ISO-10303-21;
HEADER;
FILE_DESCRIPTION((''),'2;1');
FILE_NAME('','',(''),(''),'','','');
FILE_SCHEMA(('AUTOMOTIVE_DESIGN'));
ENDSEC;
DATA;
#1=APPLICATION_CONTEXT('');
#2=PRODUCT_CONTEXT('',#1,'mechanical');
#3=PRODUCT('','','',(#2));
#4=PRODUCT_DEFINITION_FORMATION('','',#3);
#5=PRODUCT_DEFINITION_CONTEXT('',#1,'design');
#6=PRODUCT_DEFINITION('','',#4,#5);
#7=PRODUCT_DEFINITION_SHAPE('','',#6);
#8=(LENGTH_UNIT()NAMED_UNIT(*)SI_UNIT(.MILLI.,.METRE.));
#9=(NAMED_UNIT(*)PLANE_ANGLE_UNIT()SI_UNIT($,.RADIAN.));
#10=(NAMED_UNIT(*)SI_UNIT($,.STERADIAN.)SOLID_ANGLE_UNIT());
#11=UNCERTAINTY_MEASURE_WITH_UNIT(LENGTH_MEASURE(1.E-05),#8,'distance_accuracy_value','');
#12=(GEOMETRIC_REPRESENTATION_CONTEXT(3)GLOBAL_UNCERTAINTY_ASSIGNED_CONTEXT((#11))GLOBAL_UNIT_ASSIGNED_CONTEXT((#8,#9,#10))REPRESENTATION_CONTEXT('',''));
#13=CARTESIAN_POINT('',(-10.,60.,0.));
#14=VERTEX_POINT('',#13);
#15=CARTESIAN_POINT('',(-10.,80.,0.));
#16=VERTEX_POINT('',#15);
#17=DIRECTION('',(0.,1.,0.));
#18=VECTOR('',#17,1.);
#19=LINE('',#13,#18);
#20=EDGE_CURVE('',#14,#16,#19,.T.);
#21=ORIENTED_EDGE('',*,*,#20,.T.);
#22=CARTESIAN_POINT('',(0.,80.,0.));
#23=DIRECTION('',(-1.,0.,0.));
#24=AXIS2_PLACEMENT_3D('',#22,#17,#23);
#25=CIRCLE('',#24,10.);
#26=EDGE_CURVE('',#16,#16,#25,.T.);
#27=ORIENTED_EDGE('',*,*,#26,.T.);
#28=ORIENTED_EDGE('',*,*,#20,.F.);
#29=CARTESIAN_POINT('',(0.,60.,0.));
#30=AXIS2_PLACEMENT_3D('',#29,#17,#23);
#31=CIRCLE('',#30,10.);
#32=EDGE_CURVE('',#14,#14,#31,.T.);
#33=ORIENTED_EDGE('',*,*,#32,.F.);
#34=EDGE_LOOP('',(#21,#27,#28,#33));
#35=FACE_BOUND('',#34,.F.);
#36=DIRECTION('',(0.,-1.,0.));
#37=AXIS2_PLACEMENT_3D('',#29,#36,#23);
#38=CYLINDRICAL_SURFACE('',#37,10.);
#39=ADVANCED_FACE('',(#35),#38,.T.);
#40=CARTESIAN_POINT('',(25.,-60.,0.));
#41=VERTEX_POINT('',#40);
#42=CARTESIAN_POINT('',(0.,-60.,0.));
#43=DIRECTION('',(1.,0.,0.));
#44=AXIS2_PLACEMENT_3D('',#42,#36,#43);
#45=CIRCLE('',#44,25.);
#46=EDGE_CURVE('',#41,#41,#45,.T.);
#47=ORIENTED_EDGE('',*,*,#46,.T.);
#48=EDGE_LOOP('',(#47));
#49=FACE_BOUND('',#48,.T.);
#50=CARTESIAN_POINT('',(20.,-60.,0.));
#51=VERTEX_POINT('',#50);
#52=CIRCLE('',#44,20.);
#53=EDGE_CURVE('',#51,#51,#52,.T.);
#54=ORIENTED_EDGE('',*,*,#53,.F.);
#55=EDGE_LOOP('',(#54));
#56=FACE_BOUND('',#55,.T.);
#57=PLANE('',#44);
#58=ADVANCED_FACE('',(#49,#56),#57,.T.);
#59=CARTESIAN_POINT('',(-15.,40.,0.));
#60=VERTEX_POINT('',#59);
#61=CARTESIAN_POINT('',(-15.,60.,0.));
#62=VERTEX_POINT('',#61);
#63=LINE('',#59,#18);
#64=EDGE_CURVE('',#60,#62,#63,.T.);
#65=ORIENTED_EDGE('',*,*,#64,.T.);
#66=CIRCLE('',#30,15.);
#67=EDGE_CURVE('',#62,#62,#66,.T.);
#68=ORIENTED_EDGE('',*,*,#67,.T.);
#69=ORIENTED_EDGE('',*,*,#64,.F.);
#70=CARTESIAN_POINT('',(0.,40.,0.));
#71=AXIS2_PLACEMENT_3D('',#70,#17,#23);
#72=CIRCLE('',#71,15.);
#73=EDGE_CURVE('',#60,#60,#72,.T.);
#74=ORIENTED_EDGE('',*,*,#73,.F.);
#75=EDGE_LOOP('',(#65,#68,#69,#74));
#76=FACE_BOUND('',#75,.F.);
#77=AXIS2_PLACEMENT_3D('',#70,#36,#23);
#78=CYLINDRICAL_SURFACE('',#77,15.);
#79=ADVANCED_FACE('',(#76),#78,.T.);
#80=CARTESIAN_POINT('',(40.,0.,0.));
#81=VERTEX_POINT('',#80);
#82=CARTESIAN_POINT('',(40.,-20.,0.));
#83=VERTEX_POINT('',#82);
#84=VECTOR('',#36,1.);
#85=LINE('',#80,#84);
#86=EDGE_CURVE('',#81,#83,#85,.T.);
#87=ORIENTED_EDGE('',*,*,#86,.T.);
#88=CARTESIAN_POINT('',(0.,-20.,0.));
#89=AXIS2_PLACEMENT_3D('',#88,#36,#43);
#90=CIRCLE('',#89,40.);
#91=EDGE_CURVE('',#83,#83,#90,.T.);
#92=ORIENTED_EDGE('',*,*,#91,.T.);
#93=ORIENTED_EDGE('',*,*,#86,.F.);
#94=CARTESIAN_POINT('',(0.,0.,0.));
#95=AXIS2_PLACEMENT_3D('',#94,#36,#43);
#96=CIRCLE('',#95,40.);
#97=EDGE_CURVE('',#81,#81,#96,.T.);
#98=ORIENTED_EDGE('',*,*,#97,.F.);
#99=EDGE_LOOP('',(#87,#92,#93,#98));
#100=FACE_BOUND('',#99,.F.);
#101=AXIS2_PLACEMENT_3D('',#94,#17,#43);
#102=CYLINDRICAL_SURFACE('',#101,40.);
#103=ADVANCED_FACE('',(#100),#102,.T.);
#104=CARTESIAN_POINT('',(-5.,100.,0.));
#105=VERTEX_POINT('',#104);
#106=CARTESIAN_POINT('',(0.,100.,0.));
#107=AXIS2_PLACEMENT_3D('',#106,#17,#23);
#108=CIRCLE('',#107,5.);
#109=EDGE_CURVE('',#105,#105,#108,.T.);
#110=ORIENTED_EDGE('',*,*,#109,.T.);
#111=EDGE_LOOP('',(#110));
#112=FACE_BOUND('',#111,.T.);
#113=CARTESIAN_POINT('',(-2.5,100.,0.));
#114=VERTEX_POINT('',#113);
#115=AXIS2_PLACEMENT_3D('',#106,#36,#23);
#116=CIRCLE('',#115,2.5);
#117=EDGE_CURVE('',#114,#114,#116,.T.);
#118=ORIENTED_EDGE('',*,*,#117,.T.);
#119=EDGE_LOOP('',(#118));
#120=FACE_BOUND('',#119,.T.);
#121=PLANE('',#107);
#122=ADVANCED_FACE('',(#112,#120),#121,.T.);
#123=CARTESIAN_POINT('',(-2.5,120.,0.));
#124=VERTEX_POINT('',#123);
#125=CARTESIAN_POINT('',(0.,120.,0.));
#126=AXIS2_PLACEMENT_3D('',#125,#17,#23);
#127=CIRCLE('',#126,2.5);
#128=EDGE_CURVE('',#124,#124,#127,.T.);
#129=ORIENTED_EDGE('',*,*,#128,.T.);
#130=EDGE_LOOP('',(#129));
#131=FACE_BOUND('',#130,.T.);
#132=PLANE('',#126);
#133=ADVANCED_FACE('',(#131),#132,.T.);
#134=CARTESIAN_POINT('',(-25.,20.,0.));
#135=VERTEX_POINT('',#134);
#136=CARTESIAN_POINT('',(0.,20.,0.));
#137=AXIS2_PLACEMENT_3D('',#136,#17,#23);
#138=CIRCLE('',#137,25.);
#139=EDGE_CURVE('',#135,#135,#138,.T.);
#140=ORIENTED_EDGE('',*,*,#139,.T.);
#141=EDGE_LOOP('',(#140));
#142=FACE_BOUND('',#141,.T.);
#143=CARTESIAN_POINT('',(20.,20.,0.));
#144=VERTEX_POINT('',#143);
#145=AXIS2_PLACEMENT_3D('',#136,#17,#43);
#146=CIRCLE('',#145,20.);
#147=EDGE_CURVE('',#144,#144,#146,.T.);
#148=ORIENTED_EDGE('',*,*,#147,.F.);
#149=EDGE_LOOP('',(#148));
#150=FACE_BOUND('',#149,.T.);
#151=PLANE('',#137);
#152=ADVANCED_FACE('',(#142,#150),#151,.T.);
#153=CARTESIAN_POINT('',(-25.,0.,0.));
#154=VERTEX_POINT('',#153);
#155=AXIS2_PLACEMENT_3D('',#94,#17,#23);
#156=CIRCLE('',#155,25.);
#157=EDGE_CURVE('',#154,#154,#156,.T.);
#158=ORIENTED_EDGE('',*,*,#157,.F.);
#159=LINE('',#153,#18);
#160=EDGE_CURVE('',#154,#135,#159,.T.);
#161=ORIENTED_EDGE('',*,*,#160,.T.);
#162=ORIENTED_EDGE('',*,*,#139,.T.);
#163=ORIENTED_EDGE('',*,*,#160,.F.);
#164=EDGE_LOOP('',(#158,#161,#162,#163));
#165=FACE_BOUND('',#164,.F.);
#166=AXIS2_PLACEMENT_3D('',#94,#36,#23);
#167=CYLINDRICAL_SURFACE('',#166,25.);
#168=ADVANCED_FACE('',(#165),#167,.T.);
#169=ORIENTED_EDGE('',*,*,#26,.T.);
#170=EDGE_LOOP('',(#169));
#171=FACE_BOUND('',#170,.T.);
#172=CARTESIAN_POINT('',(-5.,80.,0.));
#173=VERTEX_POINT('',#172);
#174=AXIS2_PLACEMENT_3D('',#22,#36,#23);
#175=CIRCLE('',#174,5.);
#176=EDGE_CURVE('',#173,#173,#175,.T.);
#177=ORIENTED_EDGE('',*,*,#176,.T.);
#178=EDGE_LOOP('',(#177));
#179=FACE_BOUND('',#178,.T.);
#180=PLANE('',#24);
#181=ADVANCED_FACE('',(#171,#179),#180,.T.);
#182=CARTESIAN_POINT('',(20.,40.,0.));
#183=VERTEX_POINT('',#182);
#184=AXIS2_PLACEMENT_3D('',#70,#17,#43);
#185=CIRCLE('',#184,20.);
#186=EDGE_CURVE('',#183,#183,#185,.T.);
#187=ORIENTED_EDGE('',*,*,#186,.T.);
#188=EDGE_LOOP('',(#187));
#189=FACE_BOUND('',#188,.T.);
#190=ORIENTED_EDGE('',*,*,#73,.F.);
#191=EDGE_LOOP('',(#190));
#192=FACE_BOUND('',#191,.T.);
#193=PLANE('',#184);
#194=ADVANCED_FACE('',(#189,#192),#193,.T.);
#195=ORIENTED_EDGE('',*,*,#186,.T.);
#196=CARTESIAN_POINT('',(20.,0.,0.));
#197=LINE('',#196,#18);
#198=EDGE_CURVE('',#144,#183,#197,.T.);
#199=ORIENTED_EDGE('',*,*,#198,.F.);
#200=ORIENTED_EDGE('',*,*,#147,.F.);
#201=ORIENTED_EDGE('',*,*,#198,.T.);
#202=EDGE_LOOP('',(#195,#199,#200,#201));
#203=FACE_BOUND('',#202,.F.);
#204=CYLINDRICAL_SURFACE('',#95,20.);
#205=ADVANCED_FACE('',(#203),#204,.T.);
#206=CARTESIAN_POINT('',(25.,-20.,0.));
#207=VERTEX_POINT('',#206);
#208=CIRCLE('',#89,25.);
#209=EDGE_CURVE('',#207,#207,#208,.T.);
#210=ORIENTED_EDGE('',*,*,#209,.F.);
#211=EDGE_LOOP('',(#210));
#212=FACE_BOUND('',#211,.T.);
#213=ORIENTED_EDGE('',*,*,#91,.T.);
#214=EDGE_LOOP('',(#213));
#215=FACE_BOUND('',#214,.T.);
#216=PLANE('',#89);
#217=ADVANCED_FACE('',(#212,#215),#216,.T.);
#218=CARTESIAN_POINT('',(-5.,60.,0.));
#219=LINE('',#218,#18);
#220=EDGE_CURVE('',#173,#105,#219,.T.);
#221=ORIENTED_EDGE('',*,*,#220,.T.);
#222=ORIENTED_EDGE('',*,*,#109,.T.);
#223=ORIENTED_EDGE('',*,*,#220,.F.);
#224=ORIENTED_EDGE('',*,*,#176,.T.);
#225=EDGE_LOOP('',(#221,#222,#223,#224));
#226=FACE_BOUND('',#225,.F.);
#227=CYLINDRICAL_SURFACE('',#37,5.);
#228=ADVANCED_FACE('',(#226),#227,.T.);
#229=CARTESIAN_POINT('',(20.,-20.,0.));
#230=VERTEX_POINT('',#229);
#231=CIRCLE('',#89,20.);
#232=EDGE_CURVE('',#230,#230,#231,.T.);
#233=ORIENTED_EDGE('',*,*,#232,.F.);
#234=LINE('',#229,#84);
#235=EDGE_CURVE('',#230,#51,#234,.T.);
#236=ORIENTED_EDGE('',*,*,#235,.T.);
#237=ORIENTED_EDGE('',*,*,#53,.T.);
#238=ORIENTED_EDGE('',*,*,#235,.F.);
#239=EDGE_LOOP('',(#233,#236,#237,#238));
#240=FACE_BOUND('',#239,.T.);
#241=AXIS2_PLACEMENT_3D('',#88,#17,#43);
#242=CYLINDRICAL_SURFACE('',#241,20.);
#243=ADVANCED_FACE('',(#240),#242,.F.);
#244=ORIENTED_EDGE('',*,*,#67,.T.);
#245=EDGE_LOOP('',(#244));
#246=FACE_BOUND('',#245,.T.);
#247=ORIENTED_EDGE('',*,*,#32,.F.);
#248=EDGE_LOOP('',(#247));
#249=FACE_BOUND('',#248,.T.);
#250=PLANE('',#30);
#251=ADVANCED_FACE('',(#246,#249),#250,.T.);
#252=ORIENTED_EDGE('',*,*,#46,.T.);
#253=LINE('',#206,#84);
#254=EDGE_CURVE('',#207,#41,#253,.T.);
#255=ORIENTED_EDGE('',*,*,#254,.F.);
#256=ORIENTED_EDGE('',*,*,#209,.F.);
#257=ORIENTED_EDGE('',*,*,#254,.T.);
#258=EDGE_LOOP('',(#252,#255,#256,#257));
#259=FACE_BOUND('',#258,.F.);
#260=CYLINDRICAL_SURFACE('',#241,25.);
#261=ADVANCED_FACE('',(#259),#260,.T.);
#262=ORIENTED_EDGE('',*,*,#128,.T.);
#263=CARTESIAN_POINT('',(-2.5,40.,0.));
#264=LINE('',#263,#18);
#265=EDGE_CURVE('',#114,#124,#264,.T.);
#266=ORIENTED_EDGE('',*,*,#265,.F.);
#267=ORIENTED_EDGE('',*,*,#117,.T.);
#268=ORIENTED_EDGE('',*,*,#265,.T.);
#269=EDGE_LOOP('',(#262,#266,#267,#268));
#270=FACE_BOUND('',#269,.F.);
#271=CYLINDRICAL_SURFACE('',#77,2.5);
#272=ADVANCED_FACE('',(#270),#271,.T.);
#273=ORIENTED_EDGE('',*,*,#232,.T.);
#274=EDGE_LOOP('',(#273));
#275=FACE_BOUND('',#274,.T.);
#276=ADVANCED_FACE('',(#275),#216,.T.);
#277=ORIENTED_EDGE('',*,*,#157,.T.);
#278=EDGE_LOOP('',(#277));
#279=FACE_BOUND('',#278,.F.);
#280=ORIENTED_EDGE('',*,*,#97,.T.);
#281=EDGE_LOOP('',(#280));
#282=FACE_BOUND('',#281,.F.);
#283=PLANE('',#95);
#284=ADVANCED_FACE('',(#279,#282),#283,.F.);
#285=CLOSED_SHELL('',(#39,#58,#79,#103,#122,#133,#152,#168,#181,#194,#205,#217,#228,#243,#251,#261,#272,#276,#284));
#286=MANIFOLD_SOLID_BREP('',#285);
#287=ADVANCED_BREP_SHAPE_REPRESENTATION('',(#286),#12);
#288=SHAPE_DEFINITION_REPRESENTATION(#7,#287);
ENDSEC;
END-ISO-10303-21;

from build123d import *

# Parameters (mm, degrees)
F0_R      = 40
F1_DEPTH  = 20
F2_R      = 25
F2_R_2    = 20
F3_DEPTH  = 40
F4_R      = 25
F4_R_2    = 20
F5_DEPTH  = 20
F5_FACE_R = 20
F6_DEPTH  = 40
F7_R      = 2.5
F8_DEPTH  = 80
F9_R      = 15
F10_DEPTH = 20
F11_R     = 5
F12_DEPTH = 40
F13_R     = 10
F14_DEPTH = 20


with BuildPart() as f1:
    # F0 (on Front) → F1 (new body)
    with BuildSketch(Plane.XZ):
        Circle(F0_R)
    extrude(amount=F1_DEPTH)

    # F2 (on face) → F3 (join)
    with BuildSketch(Plane.XZ.offset(20)):
        Circle(F2_R)
        Circle(F2_R_2, mode=Mode.SUBTRACT)
    extrude(amount=F3_DEPTH)

    # F4 (on face) → F5 (join)
    with BuildSketch(Plane(origin=(0, 0, 0), x_dir=(-1, 0, 0), z_dir=(0, 1, 0))):
        Circle(F4_R)
        Circle(F4_R_2, mode=Mode.SUBTRACT)
    extrude(amount=F5_DEPTH)

    # F5_face (on face) → F6 (join)
    with BuildSketch(Plane(origin=(0, 0, 0), x_dir=(1, 0, 0), z_dir=(0, 1, 0))):
        Circle(F5_FACE_R)
    extrude(amount=F6_DEPTH)

    # F7 (on face) → F8 (join)
    with BuildSketch(Plane(origin=(0, 40, 0), x_dir=(-1, 0, 0), z_dir=(0, 1, 0))):
        Circle(F7_R)
    extrude(amount=F8_DEPTH)

    # F9 (on face) → F10 (join)
    with BuildSketch(Plane(origin=(0, 40, 0), x_dir=(-1, 0, 0), z_dir=(0, 1, 0))):
        Circle(F9_R)
    extrude(amount=F10_DEPTH)

    # F11 (on face) → F12 (join)
    with BuildSketch(Plane(origin=(0, 60, 0), x_dir=(-1, 0, 0), z_dir=(0, 1, 0))):
        Circle(F11_R)
    extrude(amount=F12_DEPTH)

    # F13 (on face) → F14 (join)
    with BuildSketch(Plane(origin=(0, 60, 0), x_dir=(-1, 0, 0), z_dir=(0, 1, 0))):
        Circle(F13_R)
    extrude(amount=F14_DEPTH)


solid = f1.part
